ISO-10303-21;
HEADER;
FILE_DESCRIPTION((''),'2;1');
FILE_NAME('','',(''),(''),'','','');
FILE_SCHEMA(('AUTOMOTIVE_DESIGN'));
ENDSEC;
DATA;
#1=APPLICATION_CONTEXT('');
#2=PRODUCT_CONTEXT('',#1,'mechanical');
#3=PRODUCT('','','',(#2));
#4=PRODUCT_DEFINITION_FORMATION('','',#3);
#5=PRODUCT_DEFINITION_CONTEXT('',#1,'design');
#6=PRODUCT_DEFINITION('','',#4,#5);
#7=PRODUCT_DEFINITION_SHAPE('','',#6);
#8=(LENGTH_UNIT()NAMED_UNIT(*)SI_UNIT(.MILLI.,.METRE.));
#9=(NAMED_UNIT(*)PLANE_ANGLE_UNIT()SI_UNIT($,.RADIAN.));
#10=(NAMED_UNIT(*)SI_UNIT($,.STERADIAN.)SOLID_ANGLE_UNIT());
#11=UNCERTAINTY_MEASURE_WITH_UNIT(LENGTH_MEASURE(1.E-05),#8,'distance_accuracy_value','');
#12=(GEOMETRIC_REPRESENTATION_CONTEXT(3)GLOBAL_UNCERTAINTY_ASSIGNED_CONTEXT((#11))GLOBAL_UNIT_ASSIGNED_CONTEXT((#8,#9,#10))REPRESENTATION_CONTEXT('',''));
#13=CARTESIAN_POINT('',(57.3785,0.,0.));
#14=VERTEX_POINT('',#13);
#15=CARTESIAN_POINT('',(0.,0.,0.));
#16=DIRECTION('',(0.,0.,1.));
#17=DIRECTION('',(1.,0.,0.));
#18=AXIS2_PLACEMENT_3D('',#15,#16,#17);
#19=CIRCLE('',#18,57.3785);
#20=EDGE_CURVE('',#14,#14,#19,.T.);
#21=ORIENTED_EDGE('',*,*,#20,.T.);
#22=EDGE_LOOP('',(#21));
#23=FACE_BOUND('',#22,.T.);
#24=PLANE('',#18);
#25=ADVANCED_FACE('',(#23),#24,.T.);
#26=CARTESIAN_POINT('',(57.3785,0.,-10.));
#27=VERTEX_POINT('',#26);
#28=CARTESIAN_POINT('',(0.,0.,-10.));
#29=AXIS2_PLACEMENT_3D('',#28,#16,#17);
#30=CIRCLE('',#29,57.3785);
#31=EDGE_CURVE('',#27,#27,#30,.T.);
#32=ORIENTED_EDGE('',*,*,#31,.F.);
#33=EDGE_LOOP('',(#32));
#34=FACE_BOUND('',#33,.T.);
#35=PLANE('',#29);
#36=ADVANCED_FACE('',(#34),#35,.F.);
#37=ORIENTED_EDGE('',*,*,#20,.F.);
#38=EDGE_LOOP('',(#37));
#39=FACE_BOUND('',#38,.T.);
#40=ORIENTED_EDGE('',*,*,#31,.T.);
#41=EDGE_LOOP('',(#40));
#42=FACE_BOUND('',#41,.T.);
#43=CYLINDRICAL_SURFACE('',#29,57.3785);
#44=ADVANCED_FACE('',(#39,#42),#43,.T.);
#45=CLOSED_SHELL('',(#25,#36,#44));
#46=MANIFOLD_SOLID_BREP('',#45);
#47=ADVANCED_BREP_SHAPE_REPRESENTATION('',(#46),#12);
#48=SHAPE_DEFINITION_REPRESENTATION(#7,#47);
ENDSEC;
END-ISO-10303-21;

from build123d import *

# Parameters (mm, degrees)
SKETCH1_R           = 57.3785
BOSS_EXTRUDE1_DEPTH = 10


with BuildPart() as part:
    # Sketch1 → Boss-Extrude1 (new body)
    with BuildSketch(Plane.XY):
        Circle(SKETCH1_R)
    extrude(amount=-BOSS_EXTRUDE1_DEPTH)


solid = part.part
